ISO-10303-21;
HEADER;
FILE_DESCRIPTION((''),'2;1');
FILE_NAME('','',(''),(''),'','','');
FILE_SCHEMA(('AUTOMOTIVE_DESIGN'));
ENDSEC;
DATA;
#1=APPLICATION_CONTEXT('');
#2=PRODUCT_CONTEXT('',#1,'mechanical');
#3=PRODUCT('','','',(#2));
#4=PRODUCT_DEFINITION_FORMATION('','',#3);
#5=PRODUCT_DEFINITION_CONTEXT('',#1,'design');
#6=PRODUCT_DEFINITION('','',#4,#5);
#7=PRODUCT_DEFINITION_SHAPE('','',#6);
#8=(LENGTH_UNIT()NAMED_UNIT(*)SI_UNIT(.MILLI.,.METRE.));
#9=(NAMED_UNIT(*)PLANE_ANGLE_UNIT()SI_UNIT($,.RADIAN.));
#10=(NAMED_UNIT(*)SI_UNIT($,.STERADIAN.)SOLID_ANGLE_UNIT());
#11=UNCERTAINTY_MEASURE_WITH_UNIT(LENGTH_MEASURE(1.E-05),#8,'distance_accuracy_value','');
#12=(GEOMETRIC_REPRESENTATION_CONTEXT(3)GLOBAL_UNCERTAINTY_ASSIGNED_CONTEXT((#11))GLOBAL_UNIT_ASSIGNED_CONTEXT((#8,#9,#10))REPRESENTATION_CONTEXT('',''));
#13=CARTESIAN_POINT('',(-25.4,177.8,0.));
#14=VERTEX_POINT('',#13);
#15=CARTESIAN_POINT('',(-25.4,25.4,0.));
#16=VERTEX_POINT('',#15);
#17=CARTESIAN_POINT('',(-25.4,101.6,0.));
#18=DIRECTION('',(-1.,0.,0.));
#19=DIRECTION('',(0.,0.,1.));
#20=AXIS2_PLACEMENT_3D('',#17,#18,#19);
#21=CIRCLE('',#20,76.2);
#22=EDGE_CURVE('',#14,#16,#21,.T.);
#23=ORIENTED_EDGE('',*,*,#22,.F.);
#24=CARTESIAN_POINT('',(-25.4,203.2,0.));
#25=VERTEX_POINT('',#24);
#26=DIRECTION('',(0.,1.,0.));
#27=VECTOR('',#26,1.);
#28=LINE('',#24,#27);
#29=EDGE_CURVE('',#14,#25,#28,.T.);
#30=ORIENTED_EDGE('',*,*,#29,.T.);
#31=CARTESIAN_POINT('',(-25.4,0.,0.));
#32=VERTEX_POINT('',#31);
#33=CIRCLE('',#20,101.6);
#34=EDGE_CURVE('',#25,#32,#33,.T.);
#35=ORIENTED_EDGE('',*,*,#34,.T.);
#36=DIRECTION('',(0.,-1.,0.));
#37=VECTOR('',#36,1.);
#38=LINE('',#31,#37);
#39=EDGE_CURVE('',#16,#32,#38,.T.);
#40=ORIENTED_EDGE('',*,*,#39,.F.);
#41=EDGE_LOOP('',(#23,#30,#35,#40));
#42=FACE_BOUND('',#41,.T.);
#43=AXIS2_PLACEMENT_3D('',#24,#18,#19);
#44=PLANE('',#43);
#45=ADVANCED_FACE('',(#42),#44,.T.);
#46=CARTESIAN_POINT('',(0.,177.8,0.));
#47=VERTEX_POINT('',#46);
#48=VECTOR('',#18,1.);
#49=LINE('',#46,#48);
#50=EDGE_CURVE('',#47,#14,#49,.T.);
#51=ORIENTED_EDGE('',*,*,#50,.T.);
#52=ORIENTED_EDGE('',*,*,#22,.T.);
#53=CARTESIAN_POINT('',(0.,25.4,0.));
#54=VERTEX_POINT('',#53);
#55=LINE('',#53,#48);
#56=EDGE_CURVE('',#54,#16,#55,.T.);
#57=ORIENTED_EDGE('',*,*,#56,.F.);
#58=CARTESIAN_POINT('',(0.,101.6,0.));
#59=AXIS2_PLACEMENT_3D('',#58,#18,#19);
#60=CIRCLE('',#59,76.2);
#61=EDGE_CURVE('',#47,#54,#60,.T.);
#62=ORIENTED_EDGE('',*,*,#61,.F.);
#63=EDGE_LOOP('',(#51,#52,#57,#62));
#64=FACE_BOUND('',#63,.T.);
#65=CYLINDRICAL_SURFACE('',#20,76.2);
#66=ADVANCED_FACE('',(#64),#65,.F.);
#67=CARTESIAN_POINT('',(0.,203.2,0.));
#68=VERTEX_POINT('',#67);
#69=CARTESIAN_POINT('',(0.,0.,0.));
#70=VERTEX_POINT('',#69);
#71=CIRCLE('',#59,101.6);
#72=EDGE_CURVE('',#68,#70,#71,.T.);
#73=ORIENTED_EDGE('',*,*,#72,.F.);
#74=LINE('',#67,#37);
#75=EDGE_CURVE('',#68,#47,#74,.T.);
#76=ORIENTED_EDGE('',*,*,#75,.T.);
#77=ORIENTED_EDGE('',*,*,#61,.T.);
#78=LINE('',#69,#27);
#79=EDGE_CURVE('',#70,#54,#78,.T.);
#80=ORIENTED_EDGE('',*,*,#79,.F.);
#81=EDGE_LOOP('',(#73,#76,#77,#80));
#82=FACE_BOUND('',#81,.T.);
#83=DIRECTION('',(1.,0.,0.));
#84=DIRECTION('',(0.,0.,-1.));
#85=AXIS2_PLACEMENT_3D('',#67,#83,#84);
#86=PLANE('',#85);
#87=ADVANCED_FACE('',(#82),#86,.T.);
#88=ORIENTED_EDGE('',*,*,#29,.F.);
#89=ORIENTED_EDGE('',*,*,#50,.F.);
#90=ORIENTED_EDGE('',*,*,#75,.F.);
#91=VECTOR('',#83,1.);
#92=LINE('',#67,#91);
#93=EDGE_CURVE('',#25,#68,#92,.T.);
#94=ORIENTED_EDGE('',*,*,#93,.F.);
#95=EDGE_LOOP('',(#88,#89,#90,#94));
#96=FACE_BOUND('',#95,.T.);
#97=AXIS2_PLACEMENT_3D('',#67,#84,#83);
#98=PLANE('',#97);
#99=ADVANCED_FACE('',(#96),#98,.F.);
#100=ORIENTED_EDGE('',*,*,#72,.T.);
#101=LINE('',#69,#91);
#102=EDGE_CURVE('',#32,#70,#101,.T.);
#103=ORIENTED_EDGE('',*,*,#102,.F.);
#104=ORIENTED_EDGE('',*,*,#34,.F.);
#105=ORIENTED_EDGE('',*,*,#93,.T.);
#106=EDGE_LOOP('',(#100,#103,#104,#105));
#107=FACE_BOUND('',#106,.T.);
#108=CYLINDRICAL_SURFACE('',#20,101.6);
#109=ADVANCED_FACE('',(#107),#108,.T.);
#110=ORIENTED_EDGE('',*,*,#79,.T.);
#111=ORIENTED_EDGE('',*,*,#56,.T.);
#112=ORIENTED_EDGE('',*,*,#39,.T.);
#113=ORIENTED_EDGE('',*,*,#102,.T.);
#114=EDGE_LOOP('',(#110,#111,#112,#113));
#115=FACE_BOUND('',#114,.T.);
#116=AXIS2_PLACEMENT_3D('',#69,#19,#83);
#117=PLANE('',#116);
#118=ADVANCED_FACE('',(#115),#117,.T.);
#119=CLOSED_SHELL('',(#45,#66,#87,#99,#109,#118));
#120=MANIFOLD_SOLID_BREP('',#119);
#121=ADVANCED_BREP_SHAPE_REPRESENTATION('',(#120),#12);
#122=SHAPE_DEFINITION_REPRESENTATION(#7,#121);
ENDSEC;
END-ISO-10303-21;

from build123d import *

# Parameters (mm, degrees)
SKETCH1_W      = 25.4
SKETCH1_H      = 25.4
REVOLVE1_ANGLE = 180


with BuildPart() as part:
    # Sketch1 → Revolve1 (revolve)
    with BuildSketch(Plane.XY):
        with Locations((-12.7, 12.7)):
            Rectangle(SKETCH1_W, SKETCH1_H)
    revolve(axis=Axis((-25.4, 101.6, 0), (1, 0, 0)), revolution_arc=REVOLVE1_ANGLE)


solid = part.part
